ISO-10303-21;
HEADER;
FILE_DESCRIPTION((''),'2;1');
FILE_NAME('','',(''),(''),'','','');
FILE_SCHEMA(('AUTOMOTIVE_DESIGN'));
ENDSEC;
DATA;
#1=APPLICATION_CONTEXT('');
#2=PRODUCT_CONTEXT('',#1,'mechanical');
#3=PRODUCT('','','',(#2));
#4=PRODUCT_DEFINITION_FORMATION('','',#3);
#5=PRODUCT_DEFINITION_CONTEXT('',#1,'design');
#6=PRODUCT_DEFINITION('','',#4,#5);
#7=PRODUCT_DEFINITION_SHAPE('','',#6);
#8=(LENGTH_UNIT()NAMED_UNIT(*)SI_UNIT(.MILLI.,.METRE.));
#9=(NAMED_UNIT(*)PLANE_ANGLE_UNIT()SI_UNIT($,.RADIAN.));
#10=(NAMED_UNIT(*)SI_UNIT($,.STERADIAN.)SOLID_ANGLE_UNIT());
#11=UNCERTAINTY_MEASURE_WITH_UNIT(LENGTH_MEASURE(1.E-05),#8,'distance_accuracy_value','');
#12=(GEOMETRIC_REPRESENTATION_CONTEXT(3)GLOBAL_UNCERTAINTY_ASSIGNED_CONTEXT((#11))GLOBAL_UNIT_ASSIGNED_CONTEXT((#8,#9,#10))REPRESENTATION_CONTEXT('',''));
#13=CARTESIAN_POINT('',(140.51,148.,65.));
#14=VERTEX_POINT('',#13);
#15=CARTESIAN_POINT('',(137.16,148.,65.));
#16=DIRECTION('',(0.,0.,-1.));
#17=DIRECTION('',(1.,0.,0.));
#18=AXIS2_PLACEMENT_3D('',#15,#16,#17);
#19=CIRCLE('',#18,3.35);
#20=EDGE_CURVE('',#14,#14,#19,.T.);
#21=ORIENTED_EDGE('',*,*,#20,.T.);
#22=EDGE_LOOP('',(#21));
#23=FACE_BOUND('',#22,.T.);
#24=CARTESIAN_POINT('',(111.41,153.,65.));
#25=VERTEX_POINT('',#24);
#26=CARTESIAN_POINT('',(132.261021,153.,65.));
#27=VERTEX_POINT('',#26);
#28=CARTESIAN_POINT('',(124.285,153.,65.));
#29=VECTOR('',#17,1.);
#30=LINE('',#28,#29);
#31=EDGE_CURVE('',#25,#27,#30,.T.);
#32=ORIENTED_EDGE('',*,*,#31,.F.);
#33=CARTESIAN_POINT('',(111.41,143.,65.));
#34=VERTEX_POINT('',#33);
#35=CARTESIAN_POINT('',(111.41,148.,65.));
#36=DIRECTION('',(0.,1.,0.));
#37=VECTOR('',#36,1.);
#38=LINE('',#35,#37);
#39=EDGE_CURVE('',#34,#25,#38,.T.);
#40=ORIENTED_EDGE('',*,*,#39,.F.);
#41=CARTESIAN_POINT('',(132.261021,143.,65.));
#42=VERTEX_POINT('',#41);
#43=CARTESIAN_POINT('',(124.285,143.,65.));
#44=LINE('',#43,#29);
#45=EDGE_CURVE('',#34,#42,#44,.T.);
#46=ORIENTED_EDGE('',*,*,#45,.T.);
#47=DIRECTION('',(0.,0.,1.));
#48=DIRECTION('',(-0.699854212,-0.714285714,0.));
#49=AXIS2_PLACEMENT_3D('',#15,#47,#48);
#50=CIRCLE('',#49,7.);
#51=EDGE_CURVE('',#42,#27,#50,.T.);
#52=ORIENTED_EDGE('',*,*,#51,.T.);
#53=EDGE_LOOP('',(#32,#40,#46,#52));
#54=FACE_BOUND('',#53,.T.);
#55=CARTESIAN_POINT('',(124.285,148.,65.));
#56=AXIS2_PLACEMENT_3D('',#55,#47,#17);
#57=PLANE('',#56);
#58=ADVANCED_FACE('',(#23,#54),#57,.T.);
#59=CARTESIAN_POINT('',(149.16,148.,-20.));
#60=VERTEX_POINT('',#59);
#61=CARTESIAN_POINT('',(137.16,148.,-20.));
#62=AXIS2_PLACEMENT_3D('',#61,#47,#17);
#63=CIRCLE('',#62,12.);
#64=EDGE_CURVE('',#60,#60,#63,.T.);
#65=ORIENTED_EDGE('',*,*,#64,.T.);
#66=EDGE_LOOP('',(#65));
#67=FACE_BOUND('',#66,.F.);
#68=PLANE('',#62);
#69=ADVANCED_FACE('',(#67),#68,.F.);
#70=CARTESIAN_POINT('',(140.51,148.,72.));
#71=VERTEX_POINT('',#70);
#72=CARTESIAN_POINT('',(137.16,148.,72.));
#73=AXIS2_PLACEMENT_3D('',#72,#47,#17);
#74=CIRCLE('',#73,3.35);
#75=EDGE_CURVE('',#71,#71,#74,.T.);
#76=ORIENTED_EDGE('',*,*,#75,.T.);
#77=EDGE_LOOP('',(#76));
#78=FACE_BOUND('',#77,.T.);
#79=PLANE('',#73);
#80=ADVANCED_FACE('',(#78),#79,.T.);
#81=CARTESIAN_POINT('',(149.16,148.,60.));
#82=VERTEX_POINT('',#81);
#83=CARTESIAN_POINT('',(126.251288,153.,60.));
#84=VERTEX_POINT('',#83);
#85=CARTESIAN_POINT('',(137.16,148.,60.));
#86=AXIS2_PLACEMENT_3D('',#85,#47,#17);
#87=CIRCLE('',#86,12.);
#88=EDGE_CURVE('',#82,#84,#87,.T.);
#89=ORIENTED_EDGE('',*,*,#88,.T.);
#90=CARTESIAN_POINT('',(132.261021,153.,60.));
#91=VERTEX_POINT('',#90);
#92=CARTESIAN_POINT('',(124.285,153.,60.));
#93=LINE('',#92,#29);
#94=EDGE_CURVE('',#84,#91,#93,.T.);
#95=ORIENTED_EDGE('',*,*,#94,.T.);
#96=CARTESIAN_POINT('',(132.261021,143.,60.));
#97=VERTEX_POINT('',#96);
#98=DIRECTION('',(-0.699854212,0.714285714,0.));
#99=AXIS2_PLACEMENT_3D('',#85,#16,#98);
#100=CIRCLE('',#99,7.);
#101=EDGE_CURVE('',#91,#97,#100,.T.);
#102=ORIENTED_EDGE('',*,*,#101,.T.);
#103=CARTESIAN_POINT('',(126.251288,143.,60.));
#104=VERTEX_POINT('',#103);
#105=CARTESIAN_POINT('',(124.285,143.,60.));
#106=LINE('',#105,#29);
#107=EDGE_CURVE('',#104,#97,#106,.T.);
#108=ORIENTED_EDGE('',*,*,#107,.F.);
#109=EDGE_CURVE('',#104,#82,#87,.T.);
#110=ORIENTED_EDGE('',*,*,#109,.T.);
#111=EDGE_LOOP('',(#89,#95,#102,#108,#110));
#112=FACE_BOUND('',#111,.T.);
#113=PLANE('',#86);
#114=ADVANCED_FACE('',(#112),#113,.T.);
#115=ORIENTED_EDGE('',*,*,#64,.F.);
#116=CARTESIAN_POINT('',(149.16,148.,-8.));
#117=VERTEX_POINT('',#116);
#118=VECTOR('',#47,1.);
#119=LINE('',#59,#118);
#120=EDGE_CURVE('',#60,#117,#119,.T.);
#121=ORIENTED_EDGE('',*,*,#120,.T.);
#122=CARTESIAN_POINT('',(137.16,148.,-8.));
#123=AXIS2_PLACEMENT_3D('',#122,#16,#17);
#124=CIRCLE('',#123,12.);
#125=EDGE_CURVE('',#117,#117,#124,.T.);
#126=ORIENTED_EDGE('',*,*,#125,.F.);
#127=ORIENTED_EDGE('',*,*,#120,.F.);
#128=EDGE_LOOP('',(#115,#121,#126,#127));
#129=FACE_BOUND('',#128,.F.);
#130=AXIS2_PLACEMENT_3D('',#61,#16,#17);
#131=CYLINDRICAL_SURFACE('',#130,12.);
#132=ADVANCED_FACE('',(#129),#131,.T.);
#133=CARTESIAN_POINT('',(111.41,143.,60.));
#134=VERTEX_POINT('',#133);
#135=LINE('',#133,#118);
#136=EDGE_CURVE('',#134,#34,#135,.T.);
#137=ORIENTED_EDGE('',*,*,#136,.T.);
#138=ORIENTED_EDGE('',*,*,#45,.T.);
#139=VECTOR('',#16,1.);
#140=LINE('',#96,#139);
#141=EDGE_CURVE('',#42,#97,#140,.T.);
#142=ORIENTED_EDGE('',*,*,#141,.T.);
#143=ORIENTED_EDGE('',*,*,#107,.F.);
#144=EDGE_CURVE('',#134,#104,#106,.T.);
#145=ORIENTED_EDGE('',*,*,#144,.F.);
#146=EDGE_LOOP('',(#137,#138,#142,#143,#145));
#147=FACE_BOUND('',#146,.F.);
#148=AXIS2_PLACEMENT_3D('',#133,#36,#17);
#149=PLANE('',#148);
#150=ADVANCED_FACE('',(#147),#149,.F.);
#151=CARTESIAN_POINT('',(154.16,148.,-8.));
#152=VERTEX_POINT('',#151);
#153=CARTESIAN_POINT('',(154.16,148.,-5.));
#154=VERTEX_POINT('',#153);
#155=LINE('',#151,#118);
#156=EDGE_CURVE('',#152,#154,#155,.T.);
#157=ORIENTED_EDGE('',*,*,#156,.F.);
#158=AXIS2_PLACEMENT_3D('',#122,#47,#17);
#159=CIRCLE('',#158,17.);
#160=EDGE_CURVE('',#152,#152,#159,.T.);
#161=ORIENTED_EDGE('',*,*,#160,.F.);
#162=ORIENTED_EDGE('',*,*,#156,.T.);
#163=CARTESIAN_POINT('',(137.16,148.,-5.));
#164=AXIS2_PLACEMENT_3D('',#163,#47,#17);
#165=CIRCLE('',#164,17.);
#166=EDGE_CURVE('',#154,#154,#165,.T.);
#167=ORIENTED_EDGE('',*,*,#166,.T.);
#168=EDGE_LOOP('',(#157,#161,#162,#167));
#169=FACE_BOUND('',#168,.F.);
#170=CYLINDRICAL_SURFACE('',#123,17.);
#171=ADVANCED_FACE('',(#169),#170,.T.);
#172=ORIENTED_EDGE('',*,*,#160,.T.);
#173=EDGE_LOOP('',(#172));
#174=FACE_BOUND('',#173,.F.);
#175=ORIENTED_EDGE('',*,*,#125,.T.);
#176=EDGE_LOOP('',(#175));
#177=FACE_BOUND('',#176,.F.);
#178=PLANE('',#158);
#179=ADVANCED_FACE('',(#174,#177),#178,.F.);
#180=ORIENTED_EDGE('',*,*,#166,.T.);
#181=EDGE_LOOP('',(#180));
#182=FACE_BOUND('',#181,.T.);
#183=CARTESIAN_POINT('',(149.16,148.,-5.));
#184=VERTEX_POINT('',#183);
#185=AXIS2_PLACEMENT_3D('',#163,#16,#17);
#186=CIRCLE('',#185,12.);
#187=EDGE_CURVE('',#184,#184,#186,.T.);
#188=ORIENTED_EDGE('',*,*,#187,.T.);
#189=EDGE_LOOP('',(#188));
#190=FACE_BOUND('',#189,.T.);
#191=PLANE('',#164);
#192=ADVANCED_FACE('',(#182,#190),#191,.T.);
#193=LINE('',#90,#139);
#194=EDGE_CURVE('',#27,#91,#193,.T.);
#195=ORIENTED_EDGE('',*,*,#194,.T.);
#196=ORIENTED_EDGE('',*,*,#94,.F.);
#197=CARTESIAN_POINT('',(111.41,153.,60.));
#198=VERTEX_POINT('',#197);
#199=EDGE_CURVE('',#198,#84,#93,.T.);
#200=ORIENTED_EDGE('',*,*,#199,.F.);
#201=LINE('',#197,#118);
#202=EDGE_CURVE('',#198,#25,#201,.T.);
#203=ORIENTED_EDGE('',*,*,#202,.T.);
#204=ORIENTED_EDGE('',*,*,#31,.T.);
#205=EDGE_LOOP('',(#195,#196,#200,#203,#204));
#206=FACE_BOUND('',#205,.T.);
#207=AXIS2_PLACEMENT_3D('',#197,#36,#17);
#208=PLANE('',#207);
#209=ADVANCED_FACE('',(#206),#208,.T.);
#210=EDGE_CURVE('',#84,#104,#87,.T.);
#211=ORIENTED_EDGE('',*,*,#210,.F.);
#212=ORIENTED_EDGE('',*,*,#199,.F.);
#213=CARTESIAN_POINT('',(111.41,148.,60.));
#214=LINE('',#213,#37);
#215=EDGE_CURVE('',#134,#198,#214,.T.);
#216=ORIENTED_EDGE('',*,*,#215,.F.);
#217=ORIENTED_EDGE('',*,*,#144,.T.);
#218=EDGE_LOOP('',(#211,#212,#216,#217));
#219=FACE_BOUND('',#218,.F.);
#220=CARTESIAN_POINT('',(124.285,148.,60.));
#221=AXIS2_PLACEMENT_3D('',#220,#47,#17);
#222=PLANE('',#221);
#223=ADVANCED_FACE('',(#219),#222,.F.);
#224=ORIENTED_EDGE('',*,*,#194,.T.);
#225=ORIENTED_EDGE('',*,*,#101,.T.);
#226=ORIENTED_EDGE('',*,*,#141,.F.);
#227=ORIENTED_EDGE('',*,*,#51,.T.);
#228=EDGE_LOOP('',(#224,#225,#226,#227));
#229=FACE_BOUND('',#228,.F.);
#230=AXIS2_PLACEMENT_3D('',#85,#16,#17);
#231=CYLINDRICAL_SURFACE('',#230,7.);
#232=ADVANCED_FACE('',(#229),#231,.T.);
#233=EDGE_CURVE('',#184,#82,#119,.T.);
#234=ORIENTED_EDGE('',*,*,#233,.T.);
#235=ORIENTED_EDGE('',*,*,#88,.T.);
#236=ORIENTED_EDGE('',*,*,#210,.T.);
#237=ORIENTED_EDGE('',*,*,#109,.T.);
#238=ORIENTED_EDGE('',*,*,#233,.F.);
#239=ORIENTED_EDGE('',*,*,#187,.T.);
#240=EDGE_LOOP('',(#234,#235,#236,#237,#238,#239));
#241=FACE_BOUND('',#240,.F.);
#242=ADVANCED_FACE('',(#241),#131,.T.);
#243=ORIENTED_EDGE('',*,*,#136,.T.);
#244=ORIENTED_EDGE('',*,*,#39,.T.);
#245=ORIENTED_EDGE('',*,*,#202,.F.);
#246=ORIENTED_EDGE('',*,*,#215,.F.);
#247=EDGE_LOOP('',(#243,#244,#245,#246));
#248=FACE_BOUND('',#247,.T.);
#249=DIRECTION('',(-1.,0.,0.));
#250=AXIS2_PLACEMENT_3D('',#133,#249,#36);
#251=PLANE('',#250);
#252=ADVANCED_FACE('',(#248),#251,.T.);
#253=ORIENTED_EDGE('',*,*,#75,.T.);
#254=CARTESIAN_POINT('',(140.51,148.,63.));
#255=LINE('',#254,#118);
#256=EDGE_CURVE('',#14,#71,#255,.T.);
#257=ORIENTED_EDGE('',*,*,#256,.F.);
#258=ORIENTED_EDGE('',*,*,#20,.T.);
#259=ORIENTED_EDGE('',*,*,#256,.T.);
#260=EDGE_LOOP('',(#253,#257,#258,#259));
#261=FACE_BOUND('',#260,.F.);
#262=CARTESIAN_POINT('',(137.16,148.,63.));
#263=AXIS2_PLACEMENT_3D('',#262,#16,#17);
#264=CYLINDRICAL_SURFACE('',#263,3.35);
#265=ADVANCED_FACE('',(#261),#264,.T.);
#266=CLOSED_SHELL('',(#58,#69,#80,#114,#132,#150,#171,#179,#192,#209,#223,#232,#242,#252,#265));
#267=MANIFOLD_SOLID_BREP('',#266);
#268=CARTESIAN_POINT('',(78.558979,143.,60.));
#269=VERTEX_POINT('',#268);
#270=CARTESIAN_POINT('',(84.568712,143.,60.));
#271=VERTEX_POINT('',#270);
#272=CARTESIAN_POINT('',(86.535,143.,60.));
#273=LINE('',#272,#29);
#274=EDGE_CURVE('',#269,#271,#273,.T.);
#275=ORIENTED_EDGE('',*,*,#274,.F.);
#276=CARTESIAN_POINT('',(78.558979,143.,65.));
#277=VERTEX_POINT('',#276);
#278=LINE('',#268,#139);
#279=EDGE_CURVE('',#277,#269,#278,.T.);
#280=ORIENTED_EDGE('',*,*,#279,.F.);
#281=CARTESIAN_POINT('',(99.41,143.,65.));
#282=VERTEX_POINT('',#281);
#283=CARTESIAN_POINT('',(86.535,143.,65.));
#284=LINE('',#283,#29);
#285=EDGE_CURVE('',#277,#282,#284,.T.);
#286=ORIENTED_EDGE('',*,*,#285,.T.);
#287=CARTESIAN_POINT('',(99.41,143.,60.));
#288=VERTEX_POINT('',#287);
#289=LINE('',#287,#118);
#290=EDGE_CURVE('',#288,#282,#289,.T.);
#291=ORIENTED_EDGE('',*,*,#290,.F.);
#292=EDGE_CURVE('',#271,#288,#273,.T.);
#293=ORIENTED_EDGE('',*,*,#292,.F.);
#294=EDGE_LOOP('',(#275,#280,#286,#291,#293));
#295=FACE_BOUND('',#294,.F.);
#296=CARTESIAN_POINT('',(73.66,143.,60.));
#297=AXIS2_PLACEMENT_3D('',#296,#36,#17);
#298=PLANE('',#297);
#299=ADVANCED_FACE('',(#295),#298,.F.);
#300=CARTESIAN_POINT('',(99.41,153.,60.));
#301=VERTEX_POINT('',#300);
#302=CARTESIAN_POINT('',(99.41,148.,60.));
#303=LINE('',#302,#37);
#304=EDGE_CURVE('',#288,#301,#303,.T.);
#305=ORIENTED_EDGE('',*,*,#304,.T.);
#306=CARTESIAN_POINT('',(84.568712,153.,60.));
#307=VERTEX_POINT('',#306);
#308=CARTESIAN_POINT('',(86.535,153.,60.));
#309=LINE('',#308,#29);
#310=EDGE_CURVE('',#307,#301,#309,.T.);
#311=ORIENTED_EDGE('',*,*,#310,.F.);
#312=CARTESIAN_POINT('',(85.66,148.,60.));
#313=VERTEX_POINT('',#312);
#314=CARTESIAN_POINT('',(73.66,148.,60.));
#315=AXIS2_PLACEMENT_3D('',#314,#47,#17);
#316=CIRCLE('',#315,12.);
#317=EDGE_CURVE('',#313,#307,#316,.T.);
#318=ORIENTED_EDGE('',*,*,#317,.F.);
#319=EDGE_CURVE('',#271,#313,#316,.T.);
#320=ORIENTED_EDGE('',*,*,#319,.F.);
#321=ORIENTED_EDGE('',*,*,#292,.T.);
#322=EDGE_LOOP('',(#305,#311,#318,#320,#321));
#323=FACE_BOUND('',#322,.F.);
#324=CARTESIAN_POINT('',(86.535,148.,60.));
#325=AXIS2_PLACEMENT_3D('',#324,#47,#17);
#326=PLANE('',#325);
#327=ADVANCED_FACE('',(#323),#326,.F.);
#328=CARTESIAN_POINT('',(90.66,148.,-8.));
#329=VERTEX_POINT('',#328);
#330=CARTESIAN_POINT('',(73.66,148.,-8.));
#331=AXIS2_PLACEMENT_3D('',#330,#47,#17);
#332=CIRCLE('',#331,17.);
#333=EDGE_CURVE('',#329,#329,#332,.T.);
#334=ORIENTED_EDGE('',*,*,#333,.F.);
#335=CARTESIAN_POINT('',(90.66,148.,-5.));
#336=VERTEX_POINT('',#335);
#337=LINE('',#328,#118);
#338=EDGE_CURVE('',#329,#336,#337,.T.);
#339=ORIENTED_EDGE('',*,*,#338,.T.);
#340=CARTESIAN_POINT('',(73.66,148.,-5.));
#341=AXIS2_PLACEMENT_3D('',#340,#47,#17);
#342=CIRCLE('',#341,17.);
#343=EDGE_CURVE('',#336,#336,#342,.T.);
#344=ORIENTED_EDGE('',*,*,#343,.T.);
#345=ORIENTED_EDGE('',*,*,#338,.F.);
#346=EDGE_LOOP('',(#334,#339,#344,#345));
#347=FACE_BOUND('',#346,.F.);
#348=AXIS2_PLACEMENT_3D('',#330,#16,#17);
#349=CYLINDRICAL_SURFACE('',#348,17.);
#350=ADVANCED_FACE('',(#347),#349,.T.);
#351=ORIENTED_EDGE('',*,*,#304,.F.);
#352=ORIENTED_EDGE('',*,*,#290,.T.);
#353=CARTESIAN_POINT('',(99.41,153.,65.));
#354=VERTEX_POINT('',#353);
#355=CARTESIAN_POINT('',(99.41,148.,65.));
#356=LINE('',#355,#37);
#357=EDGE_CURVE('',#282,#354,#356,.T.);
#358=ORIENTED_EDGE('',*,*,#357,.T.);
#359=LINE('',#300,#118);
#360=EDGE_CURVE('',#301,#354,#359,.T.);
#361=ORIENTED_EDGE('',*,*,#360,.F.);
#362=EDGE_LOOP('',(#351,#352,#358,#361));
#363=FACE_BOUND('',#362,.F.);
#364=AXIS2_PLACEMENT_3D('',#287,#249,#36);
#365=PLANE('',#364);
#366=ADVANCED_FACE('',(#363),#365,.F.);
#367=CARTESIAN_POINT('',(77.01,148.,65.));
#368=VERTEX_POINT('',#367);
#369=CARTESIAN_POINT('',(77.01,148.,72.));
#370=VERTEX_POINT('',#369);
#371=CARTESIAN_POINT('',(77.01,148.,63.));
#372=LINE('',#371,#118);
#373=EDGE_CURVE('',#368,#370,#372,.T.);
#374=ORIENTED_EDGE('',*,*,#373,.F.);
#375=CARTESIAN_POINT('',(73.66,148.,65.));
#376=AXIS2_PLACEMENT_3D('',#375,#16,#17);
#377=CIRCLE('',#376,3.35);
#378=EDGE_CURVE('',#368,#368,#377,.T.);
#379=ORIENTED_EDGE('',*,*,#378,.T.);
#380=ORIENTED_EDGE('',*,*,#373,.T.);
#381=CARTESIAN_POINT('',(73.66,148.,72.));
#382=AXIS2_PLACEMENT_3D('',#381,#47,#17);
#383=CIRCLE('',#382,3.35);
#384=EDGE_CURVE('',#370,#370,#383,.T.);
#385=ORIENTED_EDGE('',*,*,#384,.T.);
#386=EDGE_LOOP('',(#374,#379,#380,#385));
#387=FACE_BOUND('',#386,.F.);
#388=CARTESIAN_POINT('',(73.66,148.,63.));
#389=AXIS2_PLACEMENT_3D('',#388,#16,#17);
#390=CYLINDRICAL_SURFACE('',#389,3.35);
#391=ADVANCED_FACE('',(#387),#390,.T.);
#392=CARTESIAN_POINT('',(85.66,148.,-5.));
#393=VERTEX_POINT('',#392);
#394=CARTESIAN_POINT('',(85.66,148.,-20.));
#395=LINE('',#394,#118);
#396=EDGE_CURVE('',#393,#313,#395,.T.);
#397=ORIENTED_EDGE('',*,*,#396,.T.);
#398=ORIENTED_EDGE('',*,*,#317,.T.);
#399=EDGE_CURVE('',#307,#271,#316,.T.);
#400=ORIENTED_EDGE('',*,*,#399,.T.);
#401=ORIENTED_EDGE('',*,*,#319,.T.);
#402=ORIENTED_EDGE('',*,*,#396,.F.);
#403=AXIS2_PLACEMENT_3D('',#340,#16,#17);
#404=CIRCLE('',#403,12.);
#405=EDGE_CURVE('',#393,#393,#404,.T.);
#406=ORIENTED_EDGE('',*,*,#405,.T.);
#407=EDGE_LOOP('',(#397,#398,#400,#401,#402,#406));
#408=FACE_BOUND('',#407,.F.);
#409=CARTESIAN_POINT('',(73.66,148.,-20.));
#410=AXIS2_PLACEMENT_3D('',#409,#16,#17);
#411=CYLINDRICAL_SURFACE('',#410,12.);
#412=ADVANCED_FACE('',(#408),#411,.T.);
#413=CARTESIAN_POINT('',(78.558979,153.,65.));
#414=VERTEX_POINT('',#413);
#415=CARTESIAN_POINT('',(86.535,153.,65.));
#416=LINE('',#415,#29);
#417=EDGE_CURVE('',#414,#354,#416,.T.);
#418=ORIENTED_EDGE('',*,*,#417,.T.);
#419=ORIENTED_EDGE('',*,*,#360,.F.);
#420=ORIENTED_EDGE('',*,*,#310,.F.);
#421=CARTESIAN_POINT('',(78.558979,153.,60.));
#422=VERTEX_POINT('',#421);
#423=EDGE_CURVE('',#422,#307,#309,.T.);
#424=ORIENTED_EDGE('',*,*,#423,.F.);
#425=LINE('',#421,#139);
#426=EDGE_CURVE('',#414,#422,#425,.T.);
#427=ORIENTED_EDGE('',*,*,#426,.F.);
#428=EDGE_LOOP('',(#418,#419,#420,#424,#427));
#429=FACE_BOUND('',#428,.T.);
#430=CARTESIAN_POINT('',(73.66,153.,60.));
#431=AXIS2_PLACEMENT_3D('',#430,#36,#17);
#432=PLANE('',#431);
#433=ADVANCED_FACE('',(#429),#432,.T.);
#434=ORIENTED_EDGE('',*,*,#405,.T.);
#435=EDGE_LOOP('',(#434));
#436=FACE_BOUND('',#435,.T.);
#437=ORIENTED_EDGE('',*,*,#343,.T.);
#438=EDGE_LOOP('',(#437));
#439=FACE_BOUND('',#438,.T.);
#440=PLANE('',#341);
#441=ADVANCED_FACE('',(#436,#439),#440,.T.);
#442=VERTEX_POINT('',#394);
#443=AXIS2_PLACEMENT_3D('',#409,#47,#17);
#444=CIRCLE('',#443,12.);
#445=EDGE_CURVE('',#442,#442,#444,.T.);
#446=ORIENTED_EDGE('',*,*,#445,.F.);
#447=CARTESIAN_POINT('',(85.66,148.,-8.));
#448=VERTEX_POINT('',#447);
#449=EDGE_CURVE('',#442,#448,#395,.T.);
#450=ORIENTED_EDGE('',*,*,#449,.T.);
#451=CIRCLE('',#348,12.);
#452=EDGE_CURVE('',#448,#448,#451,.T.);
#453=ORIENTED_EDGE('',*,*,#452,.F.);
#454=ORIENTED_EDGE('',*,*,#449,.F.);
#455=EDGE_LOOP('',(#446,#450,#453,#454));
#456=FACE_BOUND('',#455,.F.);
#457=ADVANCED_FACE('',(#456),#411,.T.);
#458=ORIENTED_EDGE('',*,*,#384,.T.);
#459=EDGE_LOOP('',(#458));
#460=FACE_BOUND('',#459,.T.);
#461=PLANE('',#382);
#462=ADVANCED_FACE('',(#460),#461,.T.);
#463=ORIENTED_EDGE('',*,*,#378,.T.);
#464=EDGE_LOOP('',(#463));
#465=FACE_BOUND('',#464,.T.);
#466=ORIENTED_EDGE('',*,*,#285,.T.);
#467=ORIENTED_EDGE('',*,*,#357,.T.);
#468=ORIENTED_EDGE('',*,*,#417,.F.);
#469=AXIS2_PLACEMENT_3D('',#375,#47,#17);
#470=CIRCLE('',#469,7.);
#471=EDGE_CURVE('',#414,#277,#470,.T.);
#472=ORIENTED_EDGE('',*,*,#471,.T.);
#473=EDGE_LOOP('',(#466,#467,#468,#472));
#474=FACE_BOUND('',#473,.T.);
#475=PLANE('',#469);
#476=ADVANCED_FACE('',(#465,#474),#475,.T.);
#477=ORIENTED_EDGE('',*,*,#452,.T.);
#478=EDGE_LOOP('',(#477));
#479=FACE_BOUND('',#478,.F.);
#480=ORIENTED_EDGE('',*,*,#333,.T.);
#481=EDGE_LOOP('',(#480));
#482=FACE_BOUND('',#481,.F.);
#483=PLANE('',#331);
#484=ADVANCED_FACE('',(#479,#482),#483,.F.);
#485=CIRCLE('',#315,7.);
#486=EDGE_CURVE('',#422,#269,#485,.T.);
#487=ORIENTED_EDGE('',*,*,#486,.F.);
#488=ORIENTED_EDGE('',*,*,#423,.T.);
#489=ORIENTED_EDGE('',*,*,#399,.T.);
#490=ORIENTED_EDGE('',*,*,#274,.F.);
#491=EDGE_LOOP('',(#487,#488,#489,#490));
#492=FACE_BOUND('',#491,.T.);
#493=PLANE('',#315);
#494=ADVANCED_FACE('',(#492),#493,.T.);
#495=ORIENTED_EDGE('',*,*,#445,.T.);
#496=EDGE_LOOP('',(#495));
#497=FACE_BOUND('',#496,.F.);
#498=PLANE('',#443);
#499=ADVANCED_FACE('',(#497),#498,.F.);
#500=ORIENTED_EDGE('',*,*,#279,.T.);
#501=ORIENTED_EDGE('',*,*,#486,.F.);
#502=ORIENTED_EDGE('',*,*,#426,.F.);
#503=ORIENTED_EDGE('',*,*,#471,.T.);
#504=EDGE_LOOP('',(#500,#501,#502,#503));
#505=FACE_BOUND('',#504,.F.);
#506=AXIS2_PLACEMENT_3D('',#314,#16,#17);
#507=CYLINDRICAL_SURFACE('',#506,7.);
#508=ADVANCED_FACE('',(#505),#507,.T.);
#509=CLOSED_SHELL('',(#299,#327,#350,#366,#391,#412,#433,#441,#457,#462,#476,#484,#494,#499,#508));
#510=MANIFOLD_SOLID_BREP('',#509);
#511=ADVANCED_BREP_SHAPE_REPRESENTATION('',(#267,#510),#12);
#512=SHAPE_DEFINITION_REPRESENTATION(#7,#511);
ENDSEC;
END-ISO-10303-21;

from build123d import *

# Parameters (mm, degrees)
CYLINDER116_R     = 7
CYLINDER116_DEPTH = 5
CYLINDER117_R     = 3.35
CYLINDER117_DEPTH = 9
CYLINDER132_R     = 17
CYLINDER132_DEPTH = 3
CYLINDER131_R     = 12
CYLINDER131_DEPTH = 80
CYLINDER133_R     = 7
CYLINDER133_DEPTH = 5
BOX024_W          = 25.75
BOX024_H          = 10
BOX024_DEPTH      = 5
CYLINDER134_R     = 3.35
CYLINDER134_DEPTH = 9
CYLINDER100_R     = 17
CYLINDER100_DEPTH = 3
CYLINDER095_R     = 12
CYLINDER095_DEPTH = 80
BOX020_W          = 25.75
BOX020_H          = 10
BOX020_DEPTH      = 5


with BuildPart() as bowtiebarround1:
    # Cylinder116 → Cylinder116 (new body)
    with BuildSketch(Plane(origin=(73.66, 148, 60), x_dir=(1, 0, 0), z_dir=(0, 0, 1))):
        Circle(CYLINDER116_R)
    extrude(amount=CYLINDER116_DEPTH)


with BuildPart() as bowtiebarmount003:
    # Cylinder117 → Cylinder117 (new body)
    with BuildSketch(Plane(origin=(73.66, 148, 63), x_dir=(1, 0, 0), z_dir=(0, 0, 1))):
        Circle(CYLINDER117_R)
    extrude(amount=CYLINDER117_DEPTH)


with BuildPart() as ft1flange001:
    # Cylinder132 → Cylinder132 (new body)
    with BuildSketch(Plane(origin=(73.66, 148, -8), x_dir=(1, 0, 0), z_dir=(0, 0, 1))):
        Circle(CYLINDER132_R)
    extrude(amount=CYLINDER132_DEPTH)


with BuildPart() as ft002:
    # Cylinder131 → Cylinder131 (new body)
    with BuildSketch(Plane(origin=(73.66, 148, -20), x_dir=(1, 0, 0), z_dir=(0, 0, 1))):
        Circle(CYLINDER131_R)
    extrude(amount=CYLINDER131_DEPTH)

    # Fusion052: union FT1flange001
    add(ft1flange001.part)


with BuildPart() as ft002_1:
    # Fusion052 placement: moved
    add(ft002.part.moved(Location((63.5, 0, 0))))


with BuildPart() as bowtiebarround2:
    # Cylinder133 → Cylinder133 (new body)
    with BuildSketch(Plane(origin=(137.16, 148, 60), x_dir=(1, 0, 0), z_dir=(0, 0, 1))):
        Circle(CYLINDER133_R)
    extrude(amount=CYLINDER133_DEPTH)


with BuildPart() as bowtiebar002:
    # Box024 → Box024 (new body)
    with BuildSketch(Plane(origin=(111.41, 143, 60), x_dir=(1, 0, 0), z_dir=(0, 0, 1))):
        with Locations((12.875, 5)):
            Rectangle(BOX024_W, BOX024_H)
    extrude(amount=BOX024_DEPTH)


with BuildPart() as bowtiebarmount1:
    # Cylinder134 → Cylinder134 (new body)
    with BuildSketch(Plane(origin=(137.16, 148, 63), x_dir=(1, 0, 0), z_dir=(0, 0, 1))):
        Circle(CYLINDER134_R)
    extrude(amount=CYLINDER134_DEPTH)


with BuildPart() as ft1flange:
    # Cylinder100 → Cylinder100 (new body)
    with BuildSketch(Plane(origin=(73.66, 148, -8), x_dir=(1, 0, 0), z_dir=(0, 0, 1))):
        Circle(CYLINDER100_R)
    extrude(amount=CYLINDER100_DEPTH)


with BuildPart() as ft1:
    # Cylinder095 → Cylinder095 (new body)
    with BuildSketch(Plane(origin=(73.66, 148, -20), x_dir=(1, 0, 0), z_dir=(0, 0, 1))):
        Circle(CYLINDER095_R)
    extrude(amount=CYLINDER095_DEPTH)

    # Fusion043: union FT1flange
    add(ft1flange.part)


with BuildPart() as fusion054:
    # Box020 → Box020 (new body)
    with BuildSketch(Plane(origin=(73.66, 143, 60), x_dir=(1, 0, 0), z_dir=(0, 0, 1))):
        with Locations((12.875, 5)):
            Rectangle(BOX020_W, BOX020_H)
    extrude(amount=BOX020_DEPTH)

    # Fusion054: union BowTieBarRound1, BowTieBarMount003, FT002, BowTieBarRound2, BowTieBar002, BowTieBarMount1, FT1
    add(bowtiebarround1.part)
    add(bowtiebarmount003.part)
    add(ft002_1.part)
    add(bowtiebarround2.part)
    add(bowtiebar002.part)
    add(bowtiebarmount1.part)
    add(ft1.part)


solid = fusion054.part
